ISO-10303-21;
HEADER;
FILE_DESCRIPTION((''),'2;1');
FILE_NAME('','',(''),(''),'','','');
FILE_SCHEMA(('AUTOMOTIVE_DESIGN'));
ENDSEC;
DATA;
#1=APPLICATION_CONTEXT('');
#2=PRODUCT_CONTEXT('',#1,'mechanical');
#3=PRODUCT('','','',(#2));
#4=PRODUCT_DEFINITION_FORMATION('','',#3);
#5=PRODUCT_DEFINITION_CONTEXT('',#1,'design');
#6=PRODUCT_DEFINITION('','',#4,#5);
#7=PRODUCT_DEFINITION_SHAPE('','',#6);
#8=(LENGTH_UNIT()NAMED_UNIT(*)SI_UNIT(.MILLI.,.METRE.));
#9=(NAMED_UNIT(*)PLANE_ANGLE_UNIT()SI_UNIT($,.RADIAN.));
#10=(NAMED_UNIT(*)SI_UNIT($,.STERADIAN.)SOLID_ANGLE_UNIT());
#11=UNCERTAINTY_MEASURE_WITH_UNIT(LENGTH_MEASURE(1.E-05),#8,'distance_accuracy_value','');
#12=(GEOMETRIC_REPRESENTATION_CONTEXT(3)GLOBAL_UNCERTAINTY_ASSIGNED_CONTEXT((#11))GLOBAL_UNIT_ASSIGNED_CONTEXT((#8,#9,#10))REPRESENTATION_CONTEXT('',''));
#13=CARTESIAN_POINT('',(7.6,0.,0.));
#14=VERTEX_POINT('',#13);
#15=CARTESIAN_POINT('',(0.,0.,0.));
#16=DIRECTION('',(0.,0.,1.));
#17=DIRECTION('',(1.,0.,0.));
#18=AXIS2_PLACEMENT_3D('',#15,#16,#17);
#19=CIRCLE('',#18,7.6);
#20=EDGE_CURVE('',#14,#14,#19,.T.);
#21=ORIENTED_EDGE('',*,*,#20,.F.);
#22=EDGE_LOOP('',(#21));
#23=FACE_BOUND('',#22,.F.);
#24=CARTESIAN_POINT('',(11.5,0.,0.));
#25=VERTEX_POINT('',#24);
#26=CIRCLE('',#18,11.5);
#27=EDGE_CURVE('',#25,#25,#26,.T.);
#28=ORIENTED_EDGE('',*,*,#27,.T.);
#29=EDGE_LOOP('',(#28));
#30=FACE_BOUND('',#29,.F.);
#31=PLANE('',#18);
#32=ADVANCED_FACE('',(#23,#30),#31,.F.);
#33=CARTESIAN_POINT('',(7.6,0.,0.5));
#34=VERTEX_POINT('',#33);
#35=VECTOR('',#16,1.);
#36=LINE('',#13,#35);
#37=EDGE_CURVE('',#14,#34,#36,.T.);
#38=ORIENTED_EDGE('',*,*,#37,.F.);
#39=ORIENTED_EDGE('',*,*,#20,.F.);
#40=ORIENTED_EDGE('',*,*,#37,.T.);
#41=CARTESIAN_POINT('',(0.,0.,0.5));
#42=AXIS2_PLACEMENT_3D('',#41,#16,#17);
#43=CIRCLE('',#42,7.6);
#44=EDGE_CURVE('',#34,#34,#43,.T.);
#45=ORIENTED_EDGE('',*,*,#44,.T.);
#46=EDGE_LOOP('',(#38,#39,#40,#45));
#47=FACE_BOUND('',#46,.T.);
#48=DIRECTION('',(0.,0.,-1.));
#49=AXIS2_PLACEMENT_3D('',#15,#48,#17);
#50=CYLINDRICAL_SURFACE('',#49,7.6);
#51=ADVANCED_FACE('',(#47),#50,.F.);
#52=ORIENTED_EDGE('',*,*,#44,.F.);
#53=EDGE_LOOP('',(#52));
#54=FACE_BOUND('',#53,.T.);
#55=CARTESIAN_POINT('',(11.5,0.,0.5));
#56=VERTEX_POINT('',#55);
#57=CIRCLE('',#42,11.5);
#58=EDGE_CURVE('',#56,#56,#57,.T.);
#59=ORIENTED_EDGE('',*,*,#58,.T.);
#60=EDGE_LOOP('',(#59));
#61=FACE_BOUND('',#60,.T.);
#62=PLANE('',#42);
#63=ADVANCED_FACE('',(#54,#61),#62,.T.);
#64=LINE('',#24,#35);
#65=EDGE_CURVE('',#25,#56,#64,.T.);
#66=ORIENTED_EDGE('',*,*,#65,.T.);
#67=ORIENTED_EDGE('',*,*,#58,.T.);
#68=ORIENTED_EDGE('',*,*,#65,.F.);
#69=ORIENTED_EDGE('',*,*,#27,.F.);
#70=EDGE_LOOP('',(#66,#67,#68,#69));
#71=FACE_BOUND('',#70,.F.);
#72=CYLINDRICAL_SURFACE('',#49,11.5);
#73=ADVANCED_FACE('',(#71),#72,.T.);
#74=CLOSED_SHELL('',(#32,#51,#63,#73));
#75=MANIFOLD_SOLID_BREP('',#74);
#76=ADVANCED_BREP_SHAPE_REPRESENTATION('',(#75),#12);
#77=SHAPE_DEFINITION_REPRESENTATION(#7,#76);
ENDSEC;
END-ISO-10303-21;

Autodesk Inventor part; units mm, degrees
ref_plane "YZ Plane" through (0, 0, 0) normal (1, 0, 0) x (0, 1, 0)
ref_plane "XZ Plane" through (0, 0, 0) normal (0, 1, 0) x (-1, 0, 0)
ref_plane "XY Plane" through (0, 0, 0) normal (0, 0, 1) x (1, 0, 0)
sketch "スケッチ1" plane through (0, 0, 0) normal (0, 0, 1) x (1, 0, 0)
  circle A0 centre (0, 0) radius 7.6
  circle A1 centre (0, 0) radius 11.5
  dimension "d0" = 15.2
  dimension "d1" = 23
extrude "押し出し1" add sketch "スケッチ1" along normal blind 0.5
properties part number "ポリスライダー　内径15" material "アセタール樹脂、黒"
